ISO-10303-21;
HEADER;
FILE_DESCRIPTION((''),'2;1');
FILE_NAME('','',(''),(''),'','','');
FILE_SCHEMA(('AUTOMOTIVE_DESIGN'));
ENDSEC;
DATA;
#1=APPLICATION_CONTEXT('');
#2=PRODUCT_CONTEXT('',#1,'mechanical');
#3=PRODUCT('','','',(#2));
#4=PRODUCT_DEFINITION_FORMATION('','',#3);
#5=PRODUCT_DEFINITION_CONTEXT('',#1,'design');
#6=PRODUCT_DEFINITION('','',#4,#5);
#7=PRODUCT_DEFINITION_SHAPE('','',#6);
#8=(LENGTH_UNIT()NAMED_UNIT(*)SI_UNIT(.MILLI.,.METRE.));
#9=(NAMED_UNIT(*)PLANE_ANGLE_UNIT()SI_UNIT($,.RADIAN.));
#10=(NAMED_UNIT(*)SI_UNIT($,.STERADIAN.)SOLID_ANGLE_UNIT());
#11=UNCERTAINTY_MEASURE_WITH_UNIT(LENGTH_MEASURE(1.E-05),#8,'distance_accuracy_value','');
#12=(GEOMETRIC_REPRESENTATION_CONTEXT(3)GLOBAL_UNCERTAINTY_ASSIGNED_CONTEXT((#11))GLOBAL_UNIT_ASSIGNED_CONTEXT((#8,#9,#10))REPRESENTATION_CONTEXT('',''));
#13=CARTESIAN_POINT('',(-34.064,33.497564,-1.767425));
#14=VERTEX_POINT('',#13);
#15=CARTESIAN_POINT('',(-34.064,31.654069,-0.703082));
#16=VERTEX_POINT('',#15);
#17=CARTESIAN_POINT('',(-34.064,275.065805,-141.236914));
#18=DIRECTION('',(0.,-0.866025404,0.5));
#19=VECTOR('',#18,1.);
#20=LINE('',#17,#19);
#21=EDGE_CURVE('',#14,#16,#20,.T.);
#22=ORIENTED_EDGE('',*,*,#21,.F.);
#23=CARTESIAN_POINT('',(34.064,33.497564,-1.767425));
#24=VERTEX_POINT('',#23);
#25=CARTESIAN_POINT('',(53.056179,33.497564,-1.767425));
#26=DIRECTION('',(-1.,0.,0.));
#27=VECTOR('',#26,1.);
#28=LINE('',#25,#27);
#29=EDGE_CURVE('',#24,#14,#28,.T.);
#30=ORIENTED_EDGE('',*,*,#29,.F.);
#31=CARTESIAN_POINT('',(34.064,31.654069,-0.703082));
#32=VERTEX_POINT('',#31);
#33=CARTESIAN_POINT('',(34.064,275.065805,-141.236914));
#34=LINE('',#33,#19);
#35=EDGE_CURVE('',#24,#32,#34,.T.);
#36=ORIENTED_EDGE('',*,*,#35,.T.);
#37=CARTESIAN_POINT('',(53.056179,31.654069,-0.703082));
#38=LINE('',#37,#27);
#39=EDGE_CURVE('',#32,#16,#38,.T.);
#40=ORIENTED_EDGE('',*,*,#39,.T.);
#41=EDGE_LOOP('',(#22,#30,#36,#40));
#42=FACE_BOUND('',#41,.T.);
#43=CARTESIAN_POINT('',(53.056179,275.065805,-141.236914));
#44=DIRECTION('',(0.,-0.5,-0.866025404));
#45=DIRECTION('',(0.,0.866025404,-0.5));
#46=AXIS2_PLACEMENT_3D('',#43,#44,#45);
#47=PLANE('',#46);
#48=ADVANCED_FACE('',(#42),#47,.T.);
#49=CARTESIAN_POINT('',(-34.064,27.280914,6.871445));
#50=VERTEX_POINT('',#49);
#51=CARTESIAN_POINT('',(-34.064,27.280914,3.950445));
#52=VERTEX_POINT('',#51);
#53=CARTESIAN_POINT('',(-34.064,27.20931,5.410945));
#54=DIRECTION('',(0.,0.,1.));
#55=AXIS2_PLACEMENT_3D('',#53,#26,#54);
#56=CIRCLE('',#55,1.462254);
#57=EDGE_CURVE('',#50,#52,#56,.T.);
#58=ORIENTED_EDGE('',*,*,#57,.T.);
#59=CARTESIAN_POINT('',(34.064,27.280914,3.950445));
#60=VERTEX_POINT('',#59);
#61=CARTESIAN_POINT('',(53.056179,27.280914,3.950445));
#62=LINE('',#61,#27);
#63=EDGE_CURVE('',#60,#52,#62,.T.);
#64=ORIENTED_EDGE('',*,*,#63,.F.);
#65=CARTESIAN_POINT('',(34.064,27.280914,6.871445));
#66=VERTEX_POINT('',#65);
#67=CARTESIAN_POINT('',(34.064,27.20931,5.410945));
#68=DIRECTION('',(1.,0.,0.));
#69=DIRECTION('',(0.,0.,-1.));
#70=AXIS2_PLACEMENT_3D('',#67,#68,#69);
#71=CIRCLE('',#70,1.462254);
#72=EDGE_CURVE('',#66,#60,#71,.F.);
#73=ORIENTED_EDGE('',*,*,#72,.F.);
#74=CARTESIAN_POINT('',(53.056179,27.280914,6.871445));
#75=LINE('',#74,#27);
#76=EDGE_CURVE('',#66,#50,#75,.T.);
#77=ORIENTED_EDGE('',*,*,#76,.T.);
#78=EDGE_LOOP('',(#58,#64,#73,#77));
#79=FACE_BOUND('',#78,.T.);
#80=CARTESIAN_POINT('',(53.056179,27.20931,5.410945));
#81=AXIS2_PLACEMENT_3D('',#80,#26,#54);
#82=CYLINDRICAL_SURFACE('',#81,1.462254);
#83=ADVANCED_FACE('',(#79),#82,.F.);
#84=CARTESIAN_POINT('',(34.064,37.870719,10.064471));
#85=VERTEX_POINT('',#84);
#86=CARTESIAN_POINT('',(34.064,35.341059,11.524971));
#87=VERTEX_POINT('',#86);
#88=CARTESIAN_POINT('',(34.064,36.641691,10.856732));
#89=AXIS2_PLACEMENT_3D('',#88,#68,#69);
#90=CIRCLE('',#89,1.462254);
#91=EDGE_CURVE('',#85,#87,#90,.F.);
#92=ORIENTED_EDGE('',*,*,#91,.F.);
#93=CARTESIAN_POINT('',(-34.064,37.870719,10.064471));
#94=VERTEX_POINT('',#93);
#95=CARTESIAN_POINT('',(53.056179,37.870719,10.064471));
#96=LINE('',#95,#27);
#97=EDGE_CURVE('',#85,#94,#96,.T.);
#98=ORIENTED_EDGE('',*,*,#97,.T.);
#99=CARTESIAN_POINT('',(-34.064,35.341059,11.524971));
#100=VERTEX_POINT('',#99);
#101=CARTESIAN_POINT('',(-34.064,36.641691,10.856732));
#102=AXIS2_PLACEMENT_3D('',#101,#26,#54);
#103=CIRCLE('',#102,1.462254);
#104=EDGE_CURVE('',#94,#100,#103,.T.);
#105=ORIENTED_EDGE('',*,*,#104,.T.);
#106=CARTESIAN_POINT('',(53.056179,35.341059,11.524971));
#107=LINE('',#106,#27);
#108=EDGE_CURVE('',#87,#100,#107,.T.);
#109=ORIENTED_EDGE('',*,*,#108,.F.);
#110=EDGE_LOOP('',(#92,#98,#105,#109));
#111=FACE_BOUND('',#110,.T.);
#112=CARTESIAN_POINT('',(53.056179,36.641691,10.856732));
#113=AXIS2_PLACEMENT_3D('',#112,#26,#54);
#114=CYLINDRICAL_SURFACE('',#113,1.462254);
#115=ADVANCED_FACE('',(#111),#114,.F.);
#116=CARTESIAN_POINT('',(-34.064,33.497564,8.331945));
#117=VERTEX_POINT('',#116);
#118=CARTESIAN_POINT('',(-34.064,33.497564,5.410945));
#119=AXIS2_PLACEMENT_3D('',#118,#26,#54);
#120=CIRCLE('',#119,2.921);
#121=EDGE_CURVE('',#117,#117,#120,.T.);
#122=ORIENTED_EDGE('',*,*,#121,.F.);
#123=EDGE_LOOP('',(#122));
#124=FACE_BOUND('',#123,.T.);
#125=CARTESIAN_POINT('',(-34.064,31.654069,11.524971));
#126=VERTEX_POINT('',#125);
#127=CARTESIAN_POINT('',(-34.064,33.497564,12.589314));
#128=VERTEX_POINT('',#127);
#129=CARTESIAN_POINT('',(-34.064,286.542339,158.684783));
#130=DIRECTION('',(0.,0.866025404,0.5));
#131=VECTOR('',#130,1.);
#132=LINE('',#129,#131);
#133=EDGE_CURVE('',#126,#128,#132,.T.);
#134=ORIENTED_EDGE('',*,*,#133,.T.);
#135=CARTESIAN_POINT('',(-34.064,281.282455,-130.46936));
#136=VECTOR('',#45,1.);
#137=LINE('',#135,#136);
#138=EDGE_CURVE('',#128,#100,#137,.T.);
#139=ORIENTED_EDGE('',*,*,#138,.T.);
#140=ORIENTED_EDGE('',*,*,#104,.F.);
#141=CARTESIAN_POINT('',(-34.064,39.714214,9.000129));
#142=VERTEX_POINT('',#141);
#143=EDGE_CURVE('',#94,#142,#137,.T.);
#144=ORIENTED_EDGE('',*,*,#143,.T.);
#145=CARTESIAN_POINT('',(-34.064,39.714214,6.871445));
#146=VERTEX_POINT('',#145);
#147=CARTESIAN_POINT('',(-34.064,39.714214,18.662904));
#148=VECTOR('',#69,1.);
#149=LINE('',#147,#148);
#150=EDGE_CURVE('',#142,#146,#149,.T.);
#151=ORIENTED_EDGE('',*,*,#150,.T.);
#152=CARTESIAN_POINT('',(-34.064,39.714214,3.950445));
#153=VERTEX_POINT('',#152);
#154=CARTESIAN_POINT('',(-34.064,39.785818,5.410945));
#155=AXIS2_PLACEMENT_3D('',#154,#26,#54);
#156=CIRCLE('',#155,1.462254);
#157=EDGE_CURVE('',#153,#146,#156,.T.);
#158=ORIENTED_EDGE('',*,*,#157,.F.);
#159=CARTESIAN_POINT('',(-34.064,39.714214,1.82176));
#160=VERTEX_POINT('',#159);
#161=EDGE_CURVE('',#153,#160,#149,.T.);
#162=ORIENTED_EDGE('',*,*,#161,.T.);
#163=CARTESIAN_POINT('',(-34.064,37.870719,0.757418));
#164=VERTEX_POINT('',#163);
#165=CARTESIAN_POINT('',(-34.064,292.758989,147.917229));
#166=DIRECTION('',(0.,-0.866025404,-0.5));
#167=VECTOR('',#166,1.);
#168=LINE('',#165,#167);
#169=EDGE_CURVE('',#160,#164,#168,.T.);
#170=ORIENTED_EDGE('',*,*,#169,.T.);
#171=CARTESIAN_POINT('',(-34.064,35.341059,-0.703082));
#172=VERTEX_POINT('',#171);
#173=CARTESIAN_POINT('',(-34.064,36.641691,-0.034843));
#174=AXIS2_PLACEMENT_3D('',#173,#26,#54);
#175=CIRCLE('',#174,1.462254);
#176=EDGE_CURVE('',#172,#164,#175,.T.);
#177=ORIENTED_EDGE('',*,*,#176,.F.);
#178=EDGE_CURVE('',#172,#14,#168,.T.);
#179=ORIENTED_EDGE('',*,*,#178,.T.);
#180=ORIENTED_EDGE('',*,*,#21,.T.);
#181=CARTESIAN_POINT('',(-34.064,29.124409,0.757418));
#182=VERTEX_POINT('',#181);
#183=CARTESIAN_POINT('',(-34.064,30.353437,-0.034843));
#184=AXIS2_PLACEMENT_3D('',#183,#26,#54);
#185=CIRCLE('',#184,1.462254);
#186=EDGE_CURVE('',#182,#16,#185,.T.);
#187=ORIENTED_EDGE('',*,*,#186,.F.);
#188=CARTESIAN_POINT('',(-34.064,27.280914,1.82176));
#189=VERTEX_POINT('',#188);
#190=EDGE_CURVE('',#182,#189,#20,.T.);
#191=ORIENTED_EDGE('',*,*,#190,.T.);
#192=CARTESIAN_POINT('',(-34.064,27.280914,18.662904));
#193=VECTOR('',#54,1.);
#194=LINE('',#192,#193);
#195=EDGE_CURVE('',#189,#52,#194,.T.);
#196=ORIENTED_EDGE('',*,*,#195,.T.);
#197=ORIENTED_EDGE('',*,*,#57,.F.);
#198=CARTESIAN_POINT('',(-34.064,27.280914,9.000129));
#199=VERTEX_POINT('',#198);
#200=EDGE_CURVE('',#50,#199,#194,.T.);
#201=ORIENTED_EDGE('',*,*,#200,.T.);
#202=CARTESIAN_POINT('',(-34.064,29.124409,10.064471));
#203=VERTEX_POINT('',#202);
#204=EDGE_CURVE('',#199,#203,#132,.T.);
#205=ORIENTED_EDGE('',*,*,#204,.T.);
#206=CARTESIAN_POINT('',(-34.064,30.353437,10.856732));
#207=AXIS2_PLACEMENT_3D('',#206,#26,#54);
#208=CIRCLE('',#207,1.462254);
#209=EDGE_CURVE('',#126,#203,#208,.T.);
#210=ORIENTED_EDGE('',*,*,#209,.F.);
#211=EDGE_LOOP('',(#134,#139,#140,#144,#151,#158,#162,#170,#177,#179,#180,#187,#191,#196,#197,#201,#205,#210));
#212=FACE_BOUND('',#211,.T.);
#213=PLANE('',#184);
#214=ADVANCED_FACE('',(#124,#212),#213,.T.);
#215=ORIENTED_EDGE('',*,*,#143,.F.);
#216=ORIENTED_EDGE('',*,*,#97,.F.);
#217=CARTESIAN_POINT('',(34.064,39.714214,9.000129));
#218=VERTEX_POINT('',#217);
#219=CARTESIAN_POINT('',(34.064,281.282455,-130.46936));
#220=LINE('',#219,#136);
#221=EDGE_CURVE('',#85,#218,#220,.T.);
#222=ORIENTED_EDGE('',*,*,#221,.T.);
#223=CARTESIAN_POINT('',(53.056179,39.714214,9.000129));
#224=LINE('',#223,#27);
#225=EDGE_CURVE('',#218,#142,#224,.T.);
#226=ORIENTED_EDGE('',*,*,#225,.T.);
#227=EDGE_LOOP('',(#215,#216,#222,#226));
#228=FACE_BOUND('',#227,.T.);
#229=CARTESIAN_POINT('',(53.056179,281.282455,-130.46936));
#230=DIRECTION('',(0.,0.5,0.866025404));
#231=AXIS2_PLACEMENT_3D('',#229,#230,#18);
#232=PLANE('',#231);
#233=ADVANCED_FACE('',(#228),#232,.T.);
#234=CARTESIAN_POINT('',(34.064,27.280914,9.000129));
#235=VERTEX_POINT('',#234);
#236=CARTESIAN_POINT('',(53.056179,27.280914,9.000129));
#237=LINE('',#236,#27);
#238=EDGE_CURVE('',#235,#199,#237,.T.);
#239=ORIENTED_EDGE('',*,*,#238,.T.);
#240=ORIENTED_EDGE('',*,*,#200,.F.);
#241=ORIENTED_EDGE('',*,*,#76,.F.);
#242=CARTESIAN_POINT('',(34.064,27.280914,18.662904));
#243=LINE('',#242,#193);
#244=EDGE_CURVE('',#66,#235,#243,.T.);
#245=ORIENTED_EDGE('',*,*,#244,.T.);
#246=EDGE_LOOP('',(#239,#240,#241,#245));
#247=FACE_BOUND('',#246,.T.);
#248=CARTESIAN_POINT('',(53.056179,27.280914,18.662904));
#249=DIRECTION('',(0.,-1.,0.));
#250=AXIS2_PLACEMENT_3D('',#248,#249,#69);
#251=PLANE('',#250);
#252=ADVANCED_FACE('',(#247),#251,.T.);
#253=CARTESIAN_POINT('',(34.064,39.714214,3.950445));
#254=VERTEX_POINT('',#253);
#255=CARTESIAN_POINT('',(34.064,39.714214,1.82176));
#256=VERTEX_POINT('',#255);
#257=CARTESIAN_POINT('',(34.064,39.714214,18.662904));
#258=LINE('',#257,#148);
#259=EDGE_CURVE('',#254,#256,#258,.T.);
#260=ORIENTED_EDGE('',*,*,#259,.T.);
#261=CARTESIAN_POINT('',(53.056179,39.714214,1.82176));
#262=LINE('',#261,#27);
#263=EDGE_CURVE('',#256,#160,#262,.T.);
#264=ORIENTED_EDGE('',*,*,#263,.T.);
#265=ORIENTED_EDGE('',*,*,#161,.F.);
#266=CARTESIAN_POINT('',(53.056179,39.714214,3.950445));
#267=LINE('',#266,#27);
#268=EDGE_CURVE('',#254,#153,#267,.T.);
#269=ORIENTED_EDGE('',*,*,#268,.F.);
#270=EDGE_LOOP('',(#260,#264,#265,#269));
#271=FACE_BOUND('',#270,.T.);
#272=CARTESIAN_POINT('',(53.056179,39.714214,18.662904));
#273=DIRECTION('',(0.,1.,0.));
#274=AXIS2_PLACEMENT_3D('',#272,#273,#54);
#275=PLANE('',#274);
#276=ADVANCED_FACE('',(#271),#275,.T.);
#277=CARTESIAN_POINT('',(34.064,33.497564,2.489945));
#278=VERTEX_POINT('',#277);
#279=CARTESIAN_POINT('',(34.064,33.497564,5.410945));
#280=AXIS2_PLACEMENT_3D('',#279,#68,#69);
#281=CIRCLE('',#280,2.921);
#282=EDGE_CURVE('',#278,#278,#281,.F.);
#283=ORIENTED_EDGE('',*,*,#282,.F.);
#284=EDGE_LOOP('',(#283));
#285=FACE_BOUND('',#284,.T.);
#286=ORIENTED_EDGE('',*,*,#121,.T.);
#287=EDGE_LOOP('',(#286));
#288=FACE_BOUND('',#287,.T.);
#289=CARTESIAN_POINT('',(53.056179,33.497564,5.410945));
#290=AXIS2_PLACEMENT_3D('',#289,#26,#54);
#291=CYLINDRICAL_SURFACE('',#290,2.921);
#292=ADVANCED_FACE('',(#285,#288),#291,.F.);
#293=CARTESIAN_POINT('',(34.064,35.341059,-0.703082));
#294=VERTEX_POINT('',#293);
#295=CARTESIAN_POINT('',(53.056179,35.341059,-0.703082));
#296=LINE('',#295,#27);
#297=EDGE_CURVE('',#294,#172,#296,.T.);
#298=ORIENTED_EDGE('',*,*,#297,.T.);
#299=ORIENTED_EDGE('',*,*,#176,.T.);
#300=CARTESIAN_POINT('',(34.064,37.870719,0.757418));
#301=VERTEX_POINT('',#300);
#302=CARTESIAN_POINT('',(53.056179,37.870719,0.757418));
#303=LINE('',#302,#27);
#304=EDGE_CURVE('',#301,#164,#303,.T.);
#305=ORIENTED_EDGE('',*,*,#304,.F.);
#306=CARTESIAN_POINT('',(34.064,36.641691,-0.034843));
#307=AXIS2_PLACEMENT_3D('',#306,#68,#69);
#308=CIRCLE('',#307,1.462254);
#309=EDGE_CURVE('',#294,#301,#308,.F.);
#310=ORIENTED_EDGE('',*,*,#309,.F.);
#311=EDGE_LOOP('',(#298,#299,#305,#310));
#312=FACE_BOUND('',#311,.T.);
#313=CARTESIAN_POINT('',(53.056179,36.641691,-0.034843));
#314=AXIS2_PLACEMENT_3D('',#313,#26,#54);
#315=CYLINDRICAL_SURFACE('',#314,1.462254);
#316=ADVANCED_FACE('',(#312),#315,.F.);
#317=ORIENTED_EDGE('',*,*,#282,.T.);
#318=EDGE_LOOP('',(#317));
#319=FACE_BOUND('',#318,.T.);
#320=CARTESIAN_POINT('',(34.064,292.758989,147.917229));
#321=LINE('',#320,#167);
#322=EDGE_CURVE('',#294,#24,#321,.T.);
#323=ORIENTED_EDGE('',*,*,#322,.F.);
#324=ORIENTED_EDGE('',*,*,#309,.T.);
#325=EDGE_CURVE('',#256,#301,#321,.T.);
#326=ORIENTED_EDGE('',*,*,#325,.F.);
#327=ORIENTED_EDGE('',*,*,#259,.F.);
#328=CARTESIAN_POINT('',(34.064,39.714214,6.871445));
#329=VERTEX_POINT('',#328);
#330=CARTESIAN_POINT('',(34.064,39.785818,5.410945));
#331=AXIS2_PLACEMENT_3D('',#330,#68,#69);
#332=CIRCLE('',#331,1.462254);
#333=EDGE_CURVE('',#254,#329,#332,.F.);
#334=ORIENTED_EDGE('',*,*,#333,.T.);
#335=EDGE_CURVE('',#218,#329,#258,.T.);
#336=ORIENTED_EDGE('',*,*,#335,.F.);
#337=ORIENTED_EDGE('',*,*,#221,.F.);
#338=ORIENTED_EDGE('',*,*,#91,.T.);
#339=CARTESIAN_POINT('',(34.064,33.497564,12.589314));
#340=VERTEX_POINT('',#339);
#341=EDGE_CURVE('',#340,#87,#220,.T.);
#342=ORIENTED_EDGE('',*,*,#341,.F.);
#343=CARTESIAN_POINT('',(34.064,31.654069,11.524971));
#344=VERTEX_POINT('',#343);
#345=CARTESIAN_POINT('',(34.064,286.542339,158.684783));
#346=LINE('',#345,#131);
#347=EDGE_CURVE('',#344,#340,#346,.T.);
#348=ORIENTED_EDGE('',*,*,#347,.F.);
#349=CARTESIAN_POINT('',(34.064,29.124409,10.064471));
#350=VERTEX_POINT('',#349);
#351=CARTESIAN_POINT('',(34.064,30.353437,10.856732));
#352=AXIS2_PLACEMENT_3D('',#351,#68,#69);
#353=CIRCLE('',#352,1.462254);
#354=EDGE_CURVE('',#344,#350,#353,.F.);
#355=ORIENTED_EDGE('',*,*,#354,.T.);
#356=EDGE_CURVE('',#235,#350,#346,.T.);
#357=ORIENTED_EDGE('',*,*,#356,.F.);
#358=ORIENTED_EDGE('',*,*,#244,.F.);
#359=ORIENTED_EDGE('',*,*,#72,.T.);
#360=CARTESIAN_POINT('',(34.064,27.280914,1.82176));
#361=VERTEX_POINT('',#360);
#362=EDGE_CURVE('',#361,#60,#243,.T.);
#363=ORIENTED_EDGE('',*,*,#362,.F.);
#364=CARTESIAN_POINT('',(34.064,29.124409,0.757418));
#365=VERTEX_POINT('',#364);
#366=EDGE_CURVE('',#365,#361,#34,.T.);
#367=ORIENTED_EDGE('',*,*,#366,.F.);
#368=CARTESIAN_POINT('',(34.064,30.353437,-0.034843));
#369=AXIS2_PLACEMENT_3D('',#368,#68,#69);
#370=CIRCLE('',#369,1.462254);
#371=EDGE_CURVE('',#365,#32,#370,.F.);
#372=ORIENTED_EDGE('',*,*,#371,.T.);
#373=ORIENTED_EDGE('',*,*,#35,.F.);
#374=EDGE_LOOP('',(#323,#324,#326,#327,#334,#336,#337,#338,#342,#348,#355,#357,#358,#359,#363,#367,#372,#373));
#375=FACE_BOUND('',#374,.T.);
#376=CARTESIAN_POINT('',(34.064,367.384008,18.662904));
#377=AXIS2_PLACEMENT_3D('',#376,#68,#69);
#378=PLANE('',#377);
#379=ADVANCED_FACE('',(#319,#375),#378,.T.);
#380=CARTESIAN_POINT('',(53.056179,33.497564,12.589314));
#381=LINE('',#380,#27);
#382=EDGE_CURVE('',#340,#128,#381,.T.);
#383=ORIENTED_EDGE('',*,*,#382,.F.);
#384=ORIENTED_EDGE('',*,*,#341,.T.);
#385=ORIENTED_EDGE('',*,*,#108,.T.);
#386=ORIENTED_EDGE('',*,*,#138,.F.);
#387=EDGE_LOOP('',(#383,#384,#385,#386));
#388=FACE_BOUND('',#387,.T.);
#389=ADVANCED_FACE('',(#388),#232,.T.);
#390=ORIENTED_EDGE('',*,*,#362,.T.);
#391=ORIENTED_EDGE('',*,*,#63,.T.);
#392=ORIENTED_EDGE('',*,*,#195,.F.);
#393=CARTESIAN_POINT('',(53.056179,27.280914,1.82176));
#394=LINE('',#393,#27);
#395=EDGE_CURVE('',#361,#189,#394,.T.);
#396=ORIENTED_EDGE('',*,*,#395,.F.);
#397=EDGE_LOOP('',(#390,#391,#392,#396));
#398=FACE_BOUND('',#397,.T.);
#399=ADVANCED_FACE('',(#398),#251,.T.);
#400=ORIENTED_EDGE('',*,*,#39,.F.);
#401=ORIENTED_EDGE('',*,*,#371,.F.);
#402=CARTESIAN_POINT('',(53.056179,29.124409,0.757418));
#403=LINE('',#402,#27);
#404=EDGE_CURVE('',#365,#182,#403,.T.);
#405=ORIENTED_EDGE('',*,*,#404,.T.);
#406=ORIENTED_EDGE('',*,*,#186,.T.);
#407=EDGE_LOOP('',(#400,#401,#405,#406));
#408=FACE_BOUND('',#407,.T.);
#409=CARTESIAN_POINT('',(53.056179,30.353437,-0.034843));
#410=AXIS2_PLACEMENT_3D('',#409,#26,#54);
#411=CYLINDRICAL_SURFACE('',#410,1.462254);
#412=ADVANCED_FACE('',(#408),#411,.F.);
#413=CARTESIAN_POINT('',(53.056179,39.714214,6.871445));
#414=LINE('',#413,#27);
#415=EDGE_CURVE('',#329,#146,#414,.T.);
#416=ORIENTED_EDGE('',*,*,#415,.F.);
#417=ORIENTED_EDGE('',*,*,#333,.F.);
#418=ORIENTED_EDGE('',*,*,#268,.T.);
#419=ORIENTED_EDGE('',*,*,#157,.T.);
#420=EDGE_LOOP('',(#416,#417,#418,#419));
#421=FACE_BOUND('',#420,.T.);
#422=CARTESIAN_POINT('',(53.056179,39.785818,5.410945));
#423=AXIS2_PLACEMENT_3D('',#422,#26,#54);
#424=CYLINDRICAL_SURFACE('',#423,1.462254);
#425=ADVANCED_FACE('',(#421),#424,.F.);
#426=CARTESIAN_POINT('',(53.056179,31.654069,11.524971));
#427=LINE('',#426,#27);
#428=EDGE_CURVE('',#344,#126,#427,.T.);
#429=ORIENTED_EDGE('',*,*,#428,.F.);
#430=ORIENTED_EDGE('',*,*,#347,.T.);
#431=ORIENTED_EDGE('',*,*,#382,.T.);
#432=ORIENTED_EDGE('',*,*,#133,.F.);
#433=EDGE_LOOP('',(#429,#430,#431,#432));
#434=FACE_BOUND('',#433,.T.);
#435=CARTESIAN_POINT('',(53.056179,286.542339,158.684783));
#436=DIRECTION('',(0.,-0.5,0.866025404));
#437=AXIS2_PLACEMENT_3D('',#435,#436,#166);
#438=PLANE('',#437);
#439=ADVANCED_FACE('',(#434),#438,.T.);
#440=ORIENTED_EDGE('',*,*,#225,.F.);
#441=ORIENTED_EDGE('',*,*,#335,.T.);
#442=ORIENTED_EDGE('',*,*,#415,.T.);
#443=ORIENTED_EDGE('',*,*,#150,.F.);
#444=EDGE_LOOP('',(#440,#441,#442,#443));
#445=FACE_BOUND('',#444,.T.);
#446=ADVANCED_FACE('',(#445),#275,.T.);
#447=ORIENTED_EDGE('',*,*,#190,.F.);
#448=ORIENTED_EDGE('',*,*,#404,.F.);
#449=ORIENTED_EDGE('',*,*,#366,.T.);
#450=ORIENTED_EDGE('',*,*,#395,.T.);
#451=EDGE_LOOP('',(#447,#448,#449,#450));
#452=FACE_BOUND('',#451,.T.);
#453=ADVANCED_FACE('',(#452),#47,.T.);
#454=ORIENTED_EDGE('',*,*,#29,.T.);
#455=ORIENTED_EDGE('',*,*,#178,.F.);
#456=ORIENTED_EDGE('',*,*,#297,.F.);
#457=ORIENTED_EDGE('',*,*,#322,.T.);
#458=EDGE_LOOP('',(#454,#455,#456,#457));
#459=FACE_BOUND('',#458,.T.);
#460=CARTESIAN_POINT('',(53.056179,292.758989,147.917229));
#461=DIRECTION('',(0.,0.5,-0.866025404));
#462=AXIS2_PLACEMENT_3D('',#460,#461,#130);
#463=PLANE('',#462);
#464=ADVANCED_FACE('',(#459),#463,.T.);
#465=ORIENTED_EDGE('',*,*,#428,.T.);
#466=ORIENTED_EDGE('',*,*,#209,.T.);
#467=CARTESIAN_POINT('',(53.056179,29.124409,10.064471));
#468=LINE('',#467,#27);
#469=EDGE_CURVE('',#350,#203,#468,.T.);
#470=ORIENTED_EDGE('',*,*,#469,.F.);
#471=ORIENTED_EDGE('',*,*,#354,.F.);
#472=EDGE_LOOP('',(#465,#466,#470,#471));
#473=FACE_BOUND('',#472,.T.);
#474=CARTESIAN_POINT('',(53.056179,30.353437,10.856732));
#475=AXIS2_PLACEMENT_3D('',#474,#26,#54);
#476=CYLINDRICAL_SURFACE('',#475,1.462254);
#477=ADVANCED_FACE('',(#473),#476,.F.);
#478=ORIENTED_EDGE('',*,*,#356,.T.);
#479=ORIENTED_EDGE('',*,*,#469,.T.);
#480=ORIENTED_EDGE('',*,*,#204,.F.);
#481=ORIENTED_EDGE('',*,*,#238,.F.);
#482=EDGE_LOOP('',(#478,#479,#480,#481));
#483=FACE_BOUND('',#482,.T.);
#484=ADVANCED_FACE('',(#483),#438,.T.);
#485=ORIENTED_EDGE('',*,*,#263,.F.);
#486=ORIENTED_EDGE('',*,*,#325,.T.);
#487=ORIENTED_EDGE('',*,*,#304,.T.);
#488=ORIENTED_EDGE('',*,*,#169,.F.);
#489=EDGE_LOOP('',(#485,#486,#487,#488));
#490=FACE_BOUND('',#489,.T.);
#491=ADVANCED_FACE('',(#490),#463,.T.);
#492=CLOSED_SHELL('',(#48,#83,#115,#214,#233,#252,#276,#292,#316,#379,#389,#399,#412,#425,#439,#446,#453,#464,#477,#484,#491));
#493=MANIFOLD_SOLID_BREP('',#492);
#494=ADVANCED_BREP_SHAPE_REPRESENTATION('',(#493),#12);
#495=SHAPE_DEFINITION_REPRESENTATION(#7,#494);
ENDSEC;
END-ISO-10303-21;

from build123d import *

# Parameters (mm, degrees)
BOSS_EXTRUDE1_START = -34.064
SKETCH2_R           = 2.921
BOSS_EXTRUDE1_DEPTH = 68.128


with BuildPart() as part:
    # Sketch2 → Boss-Extrude1 (new body)
    with BuildSketch(Plane(origin=(0, 0, 0), x_dir=(0, 0, -1), z_dir=(1, 0, 0)).offset(BOSS_EXTRUDE1_START)):
        with BuildLine():
            Line((-1.82176, 39.714214029), (-3.950444551, 39.714214029))
            ThreePointArc((-3.950444551, 39.714214029), (-5.410944551, 38.323564029), (-6.871444551, 39.714214029))
            Line((-6.871444551, 39.714214029), (-9.000129101, 39.714214029))
            Line((-9.000129101, 39.714214029), (-10.064471377, 37.870719131))
            ThreePointArc((-10.064471377, 37.870719131), (-9.590383149, 35.910564029), (-11.524971377, 35.341058926))
            Line((-11.524971377, 35.341058926), (-12.589313652, 33.497564029))
            Line((-12.589313652, 33.497564029), (-11.524971377, 31.654069131))
            ThreePointArc((-11.524971377, 31.654069131), (-9.590383149, 31.084564029), (-10.064471377, 29.124408926))
            Line((-10.064471377, 29.124408926), (-9.000129101, 27.280914029))
            Line((-9.000129101, 27.280914029), (-6.871444551, 27.280914029))
            ThreePointArc((-6.871444551, 27.280914029), (-5.410944551, 28.671564029), (-3.950444551, 27.280914029))
            Line((-3.950444551, 27.280914029), (-1.82176, 27.280914029))
            Line((-1.82176, 27.280914029), (-0.757417724, 29.124408926))
            ThreePointArc((-0.757417724, 29.124408926), (-1.231505952, 31.084564029), (0.703082276, 31.654069131))
            Line((0.703082276, 31.654069131), (1.767424551, 33.497564029))
            Line((1.767424551, 33.497564029), (0.703082276, 35.341058926))
            ThreePointArc((0.703082276, 35.341058926), (-1.231505952, 35.910564029), (-0.757417724, 37.870719131))
            Line((-0.757417724, 37.870719131), (-1.82176, 39.714214029))
        make_face()
        with Locations((-5.410944551, 33.497564029)):
            Circle(SKETCH2_R, mode=Mode.SUBTRACT)
    extrude(amount=BOSS_EXTRUDE1_DEPTH)


solid = part.part
